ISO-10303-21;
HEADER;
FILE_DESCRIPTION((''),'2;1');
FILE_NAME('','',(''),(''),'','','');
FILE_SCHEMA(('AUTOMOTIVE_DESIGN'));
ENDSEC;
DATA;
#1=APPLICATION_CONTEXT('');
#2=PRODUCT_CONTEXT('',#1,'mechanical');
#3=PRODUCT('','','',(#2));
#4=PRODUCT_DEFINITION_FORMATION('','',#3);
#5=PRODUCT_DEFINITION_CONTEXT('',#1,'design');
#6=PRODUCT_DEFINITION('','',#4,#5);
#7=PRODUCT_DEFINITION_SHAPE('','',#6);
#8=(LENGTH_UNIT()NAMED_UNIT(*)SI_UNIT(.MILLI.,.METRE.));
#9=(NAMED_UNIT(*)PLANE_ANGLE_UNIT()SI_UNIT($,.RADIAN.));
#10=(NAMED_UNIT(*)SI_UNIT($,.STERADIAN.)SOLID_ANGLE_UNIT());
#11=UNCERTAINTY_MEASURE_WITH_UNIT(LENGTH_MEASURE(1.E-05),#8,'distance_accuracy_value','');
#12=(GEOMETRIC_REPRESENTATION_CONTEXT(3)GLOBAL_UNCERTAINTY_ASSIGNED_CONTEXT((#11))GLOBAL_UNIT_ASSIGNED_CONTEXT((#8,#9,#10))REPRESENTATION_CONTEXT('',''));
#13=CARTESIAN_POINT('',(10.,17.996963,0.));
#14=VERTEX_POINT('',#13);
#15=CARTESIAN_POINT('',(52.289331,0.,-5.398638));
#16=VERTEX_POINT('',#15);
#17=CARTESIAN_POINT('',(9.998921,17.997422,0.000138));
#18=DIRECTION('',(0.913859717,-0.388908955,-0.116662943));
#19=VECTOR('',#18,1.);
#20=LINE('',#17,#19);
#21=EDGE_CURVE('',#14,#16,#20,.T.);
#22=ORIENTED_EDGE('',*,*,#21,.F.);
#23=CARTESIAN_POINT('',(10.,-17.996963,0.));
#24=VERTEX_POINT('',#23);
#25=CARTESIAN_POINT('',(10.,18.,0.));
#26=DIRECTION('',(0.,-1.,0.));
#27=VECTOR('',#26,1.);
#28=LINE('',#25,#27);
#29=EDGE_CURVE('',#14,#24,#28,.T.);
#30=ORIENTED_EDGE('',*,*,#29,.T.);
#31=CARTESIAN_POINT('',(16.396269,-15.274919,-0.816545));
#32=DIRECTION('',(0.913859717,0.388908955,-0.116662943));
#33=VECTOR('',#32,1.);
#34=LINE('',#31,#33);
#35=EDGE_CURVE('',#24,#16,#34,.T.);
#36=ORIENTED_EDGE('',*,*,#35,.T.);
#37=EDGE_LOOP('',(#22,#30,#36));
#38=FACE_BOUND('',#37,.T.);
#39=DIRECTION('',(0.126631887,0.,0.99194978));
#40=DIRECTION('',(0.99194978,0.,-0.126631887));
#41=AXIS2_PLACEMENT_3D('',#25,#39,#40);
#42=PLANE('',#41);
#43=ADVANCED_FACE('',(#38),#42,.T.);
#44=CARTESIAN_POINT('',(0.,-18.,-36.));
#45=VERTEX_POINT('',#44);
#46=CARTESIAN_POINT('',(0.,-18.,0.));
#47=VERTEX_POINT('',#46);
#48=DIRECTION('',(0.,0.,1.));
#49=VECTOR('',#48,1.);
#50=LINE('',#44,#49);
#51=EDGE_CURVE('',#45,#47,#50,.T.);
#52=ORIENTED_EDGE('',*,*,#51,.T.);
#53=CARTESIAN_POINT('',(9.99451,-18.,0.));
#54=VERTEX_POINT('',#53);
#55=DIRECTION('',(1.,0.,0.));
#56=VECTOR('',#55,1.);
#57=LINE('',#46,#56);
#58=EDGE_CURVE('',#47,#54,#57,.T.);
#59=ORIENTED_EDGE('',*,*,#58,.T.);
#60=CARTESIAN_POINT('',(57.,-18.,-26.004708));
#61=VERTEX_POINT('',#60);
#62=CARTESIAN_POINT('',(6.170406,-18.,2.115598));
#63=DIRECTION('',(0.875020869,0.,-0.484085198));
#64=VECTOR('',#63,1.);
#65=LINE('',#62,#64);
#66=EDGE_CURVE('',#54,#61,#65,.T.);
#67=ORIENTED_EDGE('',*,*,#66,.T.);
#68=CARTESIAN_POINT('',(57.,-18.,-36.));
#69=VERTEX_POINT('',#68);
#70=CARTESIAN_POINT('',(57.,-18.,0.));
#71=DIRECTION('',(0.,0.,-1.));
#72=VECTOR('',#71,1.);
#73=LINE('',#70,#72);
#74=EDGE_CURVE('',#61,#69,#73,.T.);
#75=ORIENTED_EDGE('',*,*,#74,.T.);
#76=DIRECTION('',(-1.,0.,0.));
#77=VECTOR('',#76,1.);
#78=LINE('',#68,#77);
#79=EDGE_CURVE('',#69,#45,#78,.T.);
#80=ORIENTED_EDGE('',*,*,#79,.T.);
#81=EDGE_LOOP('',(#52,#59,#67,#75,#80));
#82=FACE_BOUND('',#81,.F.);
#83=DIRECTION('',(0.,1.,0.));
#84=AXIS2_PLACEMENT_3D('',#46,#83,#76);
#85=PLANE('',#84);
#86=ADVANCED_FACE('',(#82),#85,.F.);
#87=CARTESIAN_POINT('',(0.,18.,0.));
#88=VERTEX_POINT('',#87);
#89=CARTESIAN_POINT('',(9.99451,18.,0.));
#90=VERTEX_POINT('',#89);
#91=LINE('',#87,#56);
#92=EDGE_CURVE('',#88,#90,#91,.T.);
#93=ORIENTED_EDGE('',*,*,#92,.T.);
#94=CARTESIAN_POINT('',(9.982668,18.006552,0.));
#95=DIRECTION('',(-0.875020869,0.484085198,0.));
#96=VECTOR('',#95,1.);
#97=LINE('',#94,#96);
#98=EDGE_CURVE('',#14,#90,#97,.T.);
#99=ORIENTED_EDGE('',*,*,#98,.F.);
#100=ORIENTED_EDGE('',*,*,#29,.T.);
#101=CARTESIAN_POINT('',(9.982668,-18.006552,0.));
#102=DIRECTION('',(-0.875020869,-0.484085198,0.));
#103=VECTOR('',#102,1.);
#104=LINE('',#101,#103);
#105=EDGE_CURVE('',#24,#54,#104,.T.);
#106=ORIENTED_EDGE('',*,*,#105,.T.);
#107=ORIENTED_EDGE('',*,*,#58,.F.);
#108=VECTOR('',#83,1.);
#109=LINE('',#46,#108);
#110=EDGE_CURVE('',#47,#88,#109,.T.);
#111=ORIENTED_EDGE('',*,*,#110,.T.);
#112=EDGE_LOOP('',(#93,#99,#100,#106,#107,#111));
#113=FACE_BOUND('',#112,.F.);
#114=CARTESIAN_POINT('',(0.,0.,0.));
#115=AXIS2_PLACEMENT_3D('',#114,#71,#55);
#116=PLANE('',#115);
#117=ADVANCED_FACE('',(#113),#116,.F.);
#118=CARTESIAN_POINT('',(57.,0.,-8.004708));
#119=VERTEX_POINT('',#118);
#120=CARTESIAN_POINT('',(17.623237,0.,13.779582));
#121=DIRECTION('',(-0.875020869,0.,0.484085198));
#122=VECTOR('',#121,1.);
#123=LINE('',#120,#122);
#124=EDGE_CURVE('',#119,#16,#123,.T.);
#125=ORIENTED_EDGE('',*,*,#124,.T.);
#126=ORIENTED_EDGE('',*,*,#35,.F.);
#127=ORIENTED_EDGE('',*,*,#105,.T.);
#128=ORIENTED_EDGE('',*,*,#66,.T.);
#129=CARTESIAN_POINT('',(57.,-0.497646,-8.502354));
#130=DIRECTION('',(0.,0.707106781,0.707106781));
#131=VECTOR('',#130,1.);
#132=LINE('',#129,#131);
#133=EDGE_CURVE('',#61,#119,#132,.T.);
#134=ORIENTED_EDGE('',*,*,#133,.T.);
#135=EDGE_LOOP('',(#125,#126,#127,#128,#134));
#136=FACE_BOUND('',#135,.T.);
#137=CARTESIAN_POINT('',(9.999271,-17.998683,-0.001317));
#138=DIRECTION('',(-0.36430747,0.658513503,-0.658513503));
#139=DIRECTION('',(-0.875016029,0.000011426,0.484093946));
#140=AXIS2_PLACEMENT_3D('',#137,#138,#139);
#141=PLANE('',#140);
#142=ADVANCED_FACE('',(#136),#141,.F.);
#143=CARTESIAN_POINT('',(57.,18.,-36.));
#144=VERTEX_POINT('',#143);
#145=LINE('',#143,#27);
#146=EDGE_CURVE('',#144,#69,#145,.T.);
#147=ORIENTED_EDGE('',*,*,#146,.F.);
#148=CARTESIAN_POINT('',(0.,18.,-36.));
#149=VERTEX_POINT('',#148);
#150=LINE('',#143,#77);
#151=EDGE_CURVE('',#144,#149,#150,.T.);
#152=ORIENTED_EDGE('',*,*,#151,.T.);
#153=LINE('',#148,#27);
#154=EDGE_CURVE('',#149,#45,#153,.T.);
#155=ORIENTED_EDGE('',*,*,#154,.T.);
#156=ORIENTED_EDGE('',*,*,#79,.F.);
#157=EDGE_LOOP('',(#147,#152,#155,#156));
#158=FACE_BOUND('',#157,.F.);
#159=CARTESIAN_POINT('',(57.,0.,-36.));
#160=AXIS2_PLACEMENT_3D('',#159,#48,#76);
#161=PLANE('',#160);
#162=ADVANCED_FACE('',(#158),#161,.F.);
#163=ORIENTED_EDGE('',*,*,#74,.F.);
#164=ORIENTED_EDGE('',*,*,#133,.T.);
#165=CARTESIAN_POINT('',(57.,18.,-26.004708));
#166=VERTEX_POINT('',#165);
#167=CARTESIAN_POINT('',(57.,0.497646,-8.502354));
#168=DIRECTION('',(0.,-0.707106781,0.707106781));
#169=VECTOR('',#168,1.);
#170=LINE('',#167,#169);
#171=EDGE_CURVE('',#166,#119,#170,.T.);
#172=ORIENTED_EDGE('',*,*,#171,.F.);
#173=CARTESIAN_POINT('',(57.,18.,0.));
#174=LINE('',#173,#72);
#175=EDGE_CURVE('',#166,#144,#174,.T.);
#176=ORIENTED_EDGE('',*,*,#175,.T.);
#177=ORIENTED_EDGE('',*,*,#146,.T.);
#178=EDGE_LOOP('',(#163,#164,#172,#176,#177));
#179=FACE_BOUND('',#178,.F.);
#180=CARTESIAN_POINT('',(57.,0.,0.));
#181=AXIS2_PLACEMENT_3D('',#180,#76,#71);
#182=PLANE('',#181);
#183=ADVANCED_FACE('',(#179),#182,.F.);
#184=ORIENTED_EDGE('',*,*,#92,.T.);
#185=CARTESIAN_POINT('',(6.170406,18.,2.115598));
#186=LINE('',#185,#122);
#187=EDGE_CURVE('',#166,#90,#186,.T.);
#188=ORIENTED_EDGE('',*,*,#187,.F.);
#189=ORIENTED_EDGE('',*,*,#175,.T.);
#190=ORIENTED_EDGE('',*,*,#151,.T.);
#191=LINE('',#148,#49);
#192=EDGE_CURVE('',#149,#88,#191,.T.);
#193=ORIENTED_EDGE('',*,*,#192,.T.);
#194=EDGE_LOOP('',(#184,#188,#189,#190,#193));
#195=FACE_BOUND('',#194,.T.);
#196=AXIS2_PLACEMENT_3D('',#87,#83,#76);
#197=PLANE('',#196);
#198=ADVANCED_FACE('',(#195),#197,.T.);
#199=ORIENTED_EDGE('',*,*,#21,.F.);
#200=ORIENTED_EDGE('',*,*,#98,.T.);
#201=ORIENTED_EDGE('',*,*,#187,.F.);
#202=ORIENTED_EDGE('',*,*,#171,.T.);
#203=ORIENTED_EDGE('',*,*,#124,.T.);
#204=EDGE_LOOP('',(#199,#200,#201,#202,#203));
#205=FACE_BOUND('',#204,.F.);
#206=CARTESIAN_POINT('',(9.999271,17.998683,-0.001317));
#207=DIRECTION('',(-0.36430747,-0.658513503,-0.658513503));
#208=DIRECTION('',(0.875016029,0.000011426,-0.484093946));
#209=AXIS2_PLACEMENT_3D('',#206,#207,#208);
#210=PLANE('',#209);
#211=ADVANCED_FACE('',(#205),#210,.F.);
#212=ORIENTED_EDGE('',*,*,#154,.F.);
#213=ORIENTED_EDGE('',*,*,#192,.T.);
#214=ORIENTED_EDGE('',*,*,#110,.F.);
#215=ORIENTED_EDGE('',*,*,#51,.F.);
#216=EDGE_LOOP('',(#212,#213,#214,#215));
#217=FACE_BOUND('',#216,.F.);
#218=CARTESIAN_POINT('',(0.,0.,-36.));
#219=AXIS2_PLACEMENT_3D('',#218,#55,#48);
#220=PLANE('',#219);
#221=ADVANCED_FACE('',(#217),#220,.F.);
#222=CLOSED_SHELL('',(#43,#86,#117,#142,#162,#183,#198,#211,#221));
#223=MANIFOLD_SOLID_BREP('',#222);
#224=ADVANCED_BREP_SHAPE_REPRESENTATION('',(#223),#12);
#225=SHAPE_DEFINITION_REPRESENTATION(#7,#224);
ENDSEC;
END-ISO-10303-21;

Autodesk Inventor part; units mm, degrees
ref_plane "YZ Plane" through (0, 0, 0) normal (1, 0, 0) x (0, 1, 0)
ref_plane "XZ Plane" through (0, 0, 0) normal (0, 1, 0) x (-1, 0, 0)
sketch "草圖1" plane through (0, 0, 0) normal (0, 1, 0) x (-1, 0, 0)
  line L0 (0, 0) -> (-57, 0)
  line L1 (-57, 0) -> (-57, -36)
  line L2 (-57, -36) -> (0, -36)
  line L3 (0, -36) -> (0, 0)
  dimension "d0" = 57
  dimension "d1" = 36
extrude "擠出1" add sketch "草圖1" along normal mid plane 36
sketch "草圖2" plane through (0, 18, 0) normal (0, 1, 0) x (1, 0, 0)
  line L0 (0, 0) -> (57, 0) projected
  line L1 (10, 0) -> (57, 6)
  line L2 (57, 0) -> (57, 36) projected
  dimension "d4" = 10
  dimension "d5" = 30
extrude "擠出2" cut sketch "草圖2" against normal blind 40
sketch "草圖3" plane through (57, -18, -36) normal (1, 0, 0) x (0, 0, -1)
  line L0 (-30, 16) -> (-10, 36)
  line L1 (0, 36) -> (-36, 36) projected
  line L2 (-30, 36) -> (-30, 0) projected
  point P0 (-36, 18)
  dimension "d8" = 20
  dimension "d9" = 20
ref_plane "工作平面1" through (10, 18, 0) normal (-0.3643, -0.6585, -0.6585) x (0.875, 0, -0.4841)
sketch "草圖4" plane through (10, 18, 0) normal (-0.3643, -0.6585, -0.6585) x (0.875, 0, -0.4841)
  line L0 (-15.1543, -12.3218) -> (93.717, -12.3218)
  line L1 (93.717, -12.3218) -> (93.717, 28.8166)
  line L2 (93.717, 28.8166) -> (-15.1543, 28.8166)
  line L3 (-15.1543, 28.8166) -> (-15.1543, -12.3218)
  point P0 (-8.7503, 10.3585)
extrude "擠出3" cut sketch "草圖4" against normal blind 40
mirror "鏡射1" about plane through (0, 0, 0) normal (0, 1, 0) of "擠出3"
properties part number "2"
